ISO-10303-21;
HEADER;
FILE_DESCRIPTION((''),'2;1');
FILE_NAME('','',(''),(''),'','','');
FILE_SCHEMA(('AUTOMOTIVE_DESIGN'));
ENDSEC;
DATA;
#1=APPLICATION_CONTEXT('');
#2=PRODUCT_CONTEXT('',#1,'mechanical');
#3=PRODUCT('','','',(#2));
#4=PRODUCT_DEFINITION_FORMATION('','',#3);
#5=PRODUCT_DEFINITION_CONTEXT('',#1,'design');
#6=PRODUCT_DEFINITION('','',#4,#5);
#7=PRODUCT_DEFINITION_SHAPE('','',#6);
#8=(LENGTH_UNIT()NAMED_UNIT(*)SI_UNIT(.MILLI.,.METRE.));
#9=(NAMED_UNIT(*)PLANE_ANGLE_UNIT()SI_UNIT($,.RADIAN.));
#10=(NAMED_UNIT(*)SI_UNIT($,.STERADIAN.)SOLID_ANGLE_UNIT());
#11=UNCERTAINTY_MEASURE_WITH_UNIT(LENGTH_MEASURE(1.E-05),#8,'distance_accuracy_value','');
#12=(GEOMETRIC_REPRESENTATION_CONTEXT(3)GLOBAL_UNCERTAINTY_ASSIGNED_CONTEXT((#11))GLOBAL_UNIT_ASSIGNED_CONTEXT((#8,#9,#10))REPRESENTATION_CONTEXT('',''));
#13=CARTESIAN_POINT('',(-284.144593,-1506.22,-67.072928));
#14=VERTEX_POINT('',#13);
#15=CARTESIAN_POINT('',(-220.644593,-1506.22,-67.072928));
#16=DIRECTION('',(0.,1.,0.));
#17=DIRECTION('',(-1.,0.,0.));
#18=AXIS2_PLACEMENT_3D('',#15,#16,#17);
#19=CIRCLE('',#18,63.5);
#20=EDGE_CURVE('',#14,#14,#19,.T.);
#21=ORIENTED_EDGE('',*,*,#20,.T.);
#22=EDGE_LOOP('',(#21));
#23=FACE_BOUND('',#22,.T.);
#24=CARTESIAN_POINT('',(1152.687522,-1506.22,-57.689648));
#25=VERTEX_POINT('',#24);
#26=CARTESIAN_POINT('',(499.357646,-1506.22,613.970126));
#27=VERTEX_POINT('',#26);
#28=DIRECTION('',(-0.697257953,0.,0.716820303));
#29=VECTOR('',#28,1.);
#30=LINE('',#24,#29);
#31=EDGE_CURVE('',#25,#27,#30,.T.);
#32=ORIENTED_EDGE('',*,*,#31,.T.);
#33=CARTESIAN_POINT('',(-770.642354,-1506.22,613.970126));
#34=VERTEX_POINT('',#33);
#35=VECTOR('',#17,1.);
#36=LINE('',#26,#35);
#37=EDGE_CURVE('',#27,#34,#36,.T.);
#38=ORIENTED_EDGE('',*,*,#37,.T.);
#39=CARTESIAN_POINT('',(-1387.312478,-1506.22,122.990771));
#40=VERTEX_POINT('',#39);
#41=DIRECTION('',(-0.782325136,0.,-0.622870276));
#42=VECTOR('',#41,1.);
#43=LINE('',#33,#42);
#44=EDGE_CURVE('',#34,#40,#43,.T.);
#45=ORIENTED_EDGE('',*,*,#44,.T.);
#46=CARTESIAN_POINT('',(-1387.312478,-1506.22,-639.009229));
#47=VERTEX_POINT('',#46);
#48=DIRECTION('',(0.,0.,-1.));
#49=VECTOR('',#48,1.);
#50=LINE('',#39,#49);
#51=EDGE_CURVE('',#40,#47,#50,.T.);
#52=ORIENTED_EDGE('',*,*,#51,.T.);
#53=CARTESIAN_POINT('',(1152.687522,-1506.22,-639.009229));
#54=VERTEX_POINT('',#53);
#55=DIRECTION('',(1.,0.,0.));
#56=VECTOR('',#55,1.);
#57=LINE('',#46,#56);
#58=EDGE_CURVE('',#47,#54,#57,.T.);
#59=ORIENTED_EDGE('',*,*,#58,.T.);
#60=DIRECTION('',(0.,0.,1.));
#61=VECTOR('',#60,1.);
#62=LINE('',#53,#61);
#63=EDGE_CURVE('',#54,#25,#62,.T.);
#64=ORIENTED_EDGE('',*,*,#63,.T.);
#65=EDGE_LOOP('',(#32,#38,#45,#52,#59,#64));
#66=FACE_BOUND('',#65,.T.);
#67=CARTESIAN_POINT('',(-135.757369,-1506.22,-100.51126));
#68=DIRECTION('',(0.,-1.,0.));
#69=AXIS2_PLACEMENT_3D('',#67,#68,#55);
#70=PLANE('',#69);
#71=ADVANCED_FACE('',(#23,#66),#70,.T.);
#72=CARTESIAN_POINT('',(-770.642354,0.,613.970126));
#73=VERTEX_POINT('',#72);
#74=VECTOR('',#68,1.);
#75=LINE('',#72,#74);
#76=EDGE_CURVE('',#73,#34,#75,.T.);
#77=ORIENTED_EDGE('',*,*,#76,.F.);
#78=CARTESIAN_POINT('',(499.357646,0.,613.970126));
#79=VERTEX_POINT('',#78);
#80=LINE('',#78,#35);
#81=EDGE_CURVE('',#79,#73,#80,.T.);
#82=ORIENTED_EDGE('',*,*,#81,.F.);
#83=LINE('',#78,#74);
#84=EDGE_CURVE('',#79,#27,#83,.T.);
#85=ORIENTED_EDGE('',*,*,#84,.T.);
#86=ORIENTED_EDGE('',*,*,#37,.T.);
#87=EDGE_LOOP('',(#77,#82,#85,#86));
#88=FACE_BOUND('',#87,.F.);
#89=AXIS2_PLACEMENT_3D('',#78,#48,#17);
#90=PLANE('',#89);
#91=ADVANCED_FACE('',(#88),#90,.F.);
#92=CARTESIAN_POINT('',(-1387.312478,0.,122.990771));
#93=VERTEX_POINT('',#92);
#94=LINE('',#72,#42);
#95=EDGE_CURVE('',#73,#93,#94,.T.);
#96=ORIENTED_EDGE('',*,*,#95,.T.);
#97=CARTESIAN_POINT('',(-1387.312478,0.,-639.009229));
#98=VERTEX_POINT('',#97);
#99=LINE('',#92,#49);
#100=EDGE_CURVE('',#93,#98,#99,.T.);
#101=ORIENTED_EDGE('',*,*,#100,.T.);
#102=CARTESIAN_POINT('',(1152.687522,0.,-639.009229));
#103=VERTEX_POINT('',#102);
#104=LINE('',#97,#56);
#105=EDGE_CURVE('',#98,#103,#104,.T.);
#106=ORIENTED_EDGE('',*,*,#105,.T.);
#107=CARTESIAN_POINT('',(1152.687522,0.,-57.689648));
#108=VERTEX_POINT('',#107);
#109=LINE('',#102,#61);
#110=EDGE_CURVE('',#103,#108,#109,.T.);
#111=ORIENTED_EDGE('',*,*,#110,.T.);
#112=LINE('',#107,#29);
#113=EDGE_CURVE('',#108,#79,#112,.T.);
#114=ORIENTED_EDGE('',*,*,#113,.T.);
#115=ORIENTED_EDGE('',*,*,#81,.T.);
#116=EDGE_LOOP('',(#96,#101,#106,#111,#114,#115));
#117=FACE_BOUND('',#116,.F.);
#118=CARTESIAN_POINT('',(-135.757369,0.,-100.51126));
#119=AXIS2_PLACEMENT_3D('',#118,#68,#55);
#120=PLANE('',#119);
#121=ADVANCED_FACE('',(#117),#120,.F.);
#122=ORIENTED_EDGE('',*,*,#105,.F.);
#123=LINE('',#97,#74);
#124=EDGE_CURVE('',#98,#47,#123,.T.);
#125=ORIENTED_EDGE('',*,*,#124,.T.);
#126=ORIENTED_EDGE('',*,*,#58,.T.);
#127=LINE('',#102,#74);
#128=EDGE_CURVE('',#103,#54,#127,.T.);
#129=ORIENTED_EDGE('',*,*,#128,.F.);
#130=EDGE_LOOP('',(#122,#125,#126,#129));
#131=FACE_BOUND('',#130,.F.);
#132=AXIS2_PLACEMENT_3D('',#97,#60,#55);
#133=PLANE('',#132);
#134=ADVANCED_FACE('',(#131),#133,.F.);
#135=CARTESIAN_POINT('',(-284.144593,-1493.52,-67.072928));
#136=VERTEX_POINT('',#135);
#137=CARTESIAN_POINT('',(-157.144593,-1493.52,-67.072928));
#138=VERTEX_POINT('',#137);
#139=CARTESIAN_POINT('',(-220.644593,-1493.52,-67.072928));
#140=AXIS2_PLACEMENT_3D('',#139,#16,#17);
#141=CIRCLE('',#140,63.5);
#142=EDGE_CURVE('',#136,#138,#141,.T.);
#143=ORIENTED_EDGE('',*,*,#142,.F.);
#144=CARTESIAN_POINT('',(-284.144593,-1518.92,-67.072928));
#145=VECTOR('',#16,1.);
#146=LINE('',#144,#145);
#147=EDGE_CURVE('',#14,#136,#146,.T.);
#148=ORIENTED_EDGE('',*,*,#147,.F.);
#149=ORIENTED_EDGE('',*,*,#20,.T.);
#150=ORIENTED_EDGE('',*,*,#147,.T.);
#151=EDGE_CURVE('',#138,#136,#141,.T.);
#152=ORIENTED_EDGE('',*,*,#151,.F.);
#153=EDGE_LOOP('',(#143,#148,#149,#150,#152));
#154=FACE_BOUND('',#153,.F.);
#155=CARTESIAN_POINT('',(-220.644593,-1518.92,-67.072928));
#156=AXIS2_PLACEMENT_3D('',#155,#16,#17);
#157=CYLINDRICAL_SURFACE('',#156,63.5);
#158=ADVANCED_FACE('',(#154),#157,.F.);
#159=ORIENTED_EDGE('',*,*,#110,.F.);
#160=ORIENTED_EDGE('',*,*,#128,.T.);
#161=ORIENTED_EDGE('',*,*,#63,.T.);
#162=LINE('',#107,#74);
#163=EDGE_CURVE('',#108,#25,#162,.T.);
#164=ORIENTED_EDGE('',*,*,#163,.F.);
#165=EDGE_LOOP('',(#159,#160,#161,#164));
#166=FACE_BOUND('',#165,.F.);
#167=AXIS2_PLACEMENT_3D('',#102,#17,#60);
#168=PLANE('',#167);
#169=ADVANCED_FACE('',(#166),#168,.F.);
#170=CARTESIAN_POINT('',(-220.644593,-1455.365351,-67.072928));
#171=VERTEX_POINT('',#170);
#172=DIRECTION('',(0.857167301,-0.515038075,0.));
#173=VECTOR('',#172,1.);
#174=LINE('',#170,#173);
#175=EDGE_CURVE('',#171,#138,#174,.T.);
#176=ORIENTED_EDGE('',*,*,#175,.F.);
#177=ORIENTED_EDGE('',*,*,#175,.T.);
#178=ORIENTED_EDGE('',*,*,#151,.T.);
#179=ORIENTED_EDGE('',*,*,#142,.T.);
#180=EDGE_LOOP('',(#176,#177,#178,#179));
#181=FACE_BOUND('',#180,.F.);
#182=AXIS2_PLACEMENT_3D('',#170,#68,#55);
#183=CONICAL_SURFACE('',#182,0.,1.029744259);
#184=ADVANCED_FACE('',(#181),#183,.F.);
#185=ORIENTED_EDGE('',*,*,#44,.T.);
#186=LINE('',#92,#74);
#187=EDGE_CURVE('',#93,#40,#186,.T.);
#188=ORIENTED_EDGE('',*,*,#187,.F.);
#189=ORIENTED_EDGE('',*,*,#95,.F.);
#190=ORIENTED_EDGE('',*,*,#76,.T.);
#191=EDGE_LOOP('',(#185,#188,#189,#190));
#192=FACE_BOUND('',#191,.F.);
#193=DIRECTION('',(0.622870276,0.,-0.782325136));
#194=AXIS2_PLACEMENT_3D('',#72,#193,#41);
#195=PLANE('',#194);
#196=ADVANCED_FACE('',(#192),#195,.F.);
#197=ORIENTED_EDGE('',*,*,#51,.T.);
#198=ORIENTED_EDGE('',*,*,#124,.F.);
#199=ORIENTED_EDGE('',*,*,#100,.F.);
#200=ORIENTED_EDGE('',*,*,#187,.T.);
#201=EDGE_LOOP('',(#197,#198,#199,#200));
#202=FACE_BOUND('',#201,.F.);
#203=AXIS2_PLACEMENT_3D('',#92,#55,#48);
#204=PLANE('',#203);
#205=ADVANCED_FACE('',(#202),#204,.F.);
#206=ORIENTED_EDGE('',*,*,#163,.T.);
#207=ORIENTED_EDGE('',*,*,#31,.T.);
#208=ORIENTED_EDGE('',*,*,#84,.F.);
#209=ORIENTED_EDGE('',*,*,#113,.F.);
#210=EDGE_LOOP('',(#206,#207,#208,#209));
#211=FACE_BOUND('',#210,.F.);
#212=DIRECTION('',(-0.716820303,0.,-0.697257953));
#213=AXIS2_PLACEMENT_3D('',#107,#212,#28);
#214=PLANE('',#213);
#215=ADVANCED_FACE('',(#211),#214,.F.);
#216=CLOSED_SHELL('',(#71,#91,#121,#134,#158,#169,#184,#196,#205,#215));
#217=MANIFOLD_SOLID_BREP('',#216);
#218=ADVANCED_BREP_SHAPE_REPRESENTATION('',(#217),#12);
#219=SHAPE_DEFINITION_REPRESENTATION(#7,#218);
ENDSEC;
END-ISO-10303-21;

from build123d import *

# Parameters (mm, degrees)
F1_DEPTH = 1506.22
F3_D     = 127
F3_DEPTH = 12.7
F3_TIP   = 38.1546493083


with BuildPart() as f1:
    # F0 (on Front) → F1 (new body)
    with BuildSketch(Plane.XZ):
        Polygon((-770.6423540949, 613.970125735), (-1387.3124781203, 122.9907713829), (-1387.3124781203, -639.0092286171), (1152.6875218797, -639.0092286171), (1152.6875218797, -57.6896484572), (499.3576459051, 613.970125735), align=None)
    extrude(amount=F1_DEPTH)

    # F3
    with Locations(Plane.XZ.offset(1506.22)):
        with Locations((-220.6445932388, -67.0729279518)):
            Hole(F3_D / 2, depth=F3_DEPTH)
            with Locations((0, 0, -(F3_DEPTH + F3_TIP / 2))):  # 118° drill point
                Cone(0, F3_D / 2, F3_TIP, mode=Mode.SUBTRACT)


solid = f1.part
